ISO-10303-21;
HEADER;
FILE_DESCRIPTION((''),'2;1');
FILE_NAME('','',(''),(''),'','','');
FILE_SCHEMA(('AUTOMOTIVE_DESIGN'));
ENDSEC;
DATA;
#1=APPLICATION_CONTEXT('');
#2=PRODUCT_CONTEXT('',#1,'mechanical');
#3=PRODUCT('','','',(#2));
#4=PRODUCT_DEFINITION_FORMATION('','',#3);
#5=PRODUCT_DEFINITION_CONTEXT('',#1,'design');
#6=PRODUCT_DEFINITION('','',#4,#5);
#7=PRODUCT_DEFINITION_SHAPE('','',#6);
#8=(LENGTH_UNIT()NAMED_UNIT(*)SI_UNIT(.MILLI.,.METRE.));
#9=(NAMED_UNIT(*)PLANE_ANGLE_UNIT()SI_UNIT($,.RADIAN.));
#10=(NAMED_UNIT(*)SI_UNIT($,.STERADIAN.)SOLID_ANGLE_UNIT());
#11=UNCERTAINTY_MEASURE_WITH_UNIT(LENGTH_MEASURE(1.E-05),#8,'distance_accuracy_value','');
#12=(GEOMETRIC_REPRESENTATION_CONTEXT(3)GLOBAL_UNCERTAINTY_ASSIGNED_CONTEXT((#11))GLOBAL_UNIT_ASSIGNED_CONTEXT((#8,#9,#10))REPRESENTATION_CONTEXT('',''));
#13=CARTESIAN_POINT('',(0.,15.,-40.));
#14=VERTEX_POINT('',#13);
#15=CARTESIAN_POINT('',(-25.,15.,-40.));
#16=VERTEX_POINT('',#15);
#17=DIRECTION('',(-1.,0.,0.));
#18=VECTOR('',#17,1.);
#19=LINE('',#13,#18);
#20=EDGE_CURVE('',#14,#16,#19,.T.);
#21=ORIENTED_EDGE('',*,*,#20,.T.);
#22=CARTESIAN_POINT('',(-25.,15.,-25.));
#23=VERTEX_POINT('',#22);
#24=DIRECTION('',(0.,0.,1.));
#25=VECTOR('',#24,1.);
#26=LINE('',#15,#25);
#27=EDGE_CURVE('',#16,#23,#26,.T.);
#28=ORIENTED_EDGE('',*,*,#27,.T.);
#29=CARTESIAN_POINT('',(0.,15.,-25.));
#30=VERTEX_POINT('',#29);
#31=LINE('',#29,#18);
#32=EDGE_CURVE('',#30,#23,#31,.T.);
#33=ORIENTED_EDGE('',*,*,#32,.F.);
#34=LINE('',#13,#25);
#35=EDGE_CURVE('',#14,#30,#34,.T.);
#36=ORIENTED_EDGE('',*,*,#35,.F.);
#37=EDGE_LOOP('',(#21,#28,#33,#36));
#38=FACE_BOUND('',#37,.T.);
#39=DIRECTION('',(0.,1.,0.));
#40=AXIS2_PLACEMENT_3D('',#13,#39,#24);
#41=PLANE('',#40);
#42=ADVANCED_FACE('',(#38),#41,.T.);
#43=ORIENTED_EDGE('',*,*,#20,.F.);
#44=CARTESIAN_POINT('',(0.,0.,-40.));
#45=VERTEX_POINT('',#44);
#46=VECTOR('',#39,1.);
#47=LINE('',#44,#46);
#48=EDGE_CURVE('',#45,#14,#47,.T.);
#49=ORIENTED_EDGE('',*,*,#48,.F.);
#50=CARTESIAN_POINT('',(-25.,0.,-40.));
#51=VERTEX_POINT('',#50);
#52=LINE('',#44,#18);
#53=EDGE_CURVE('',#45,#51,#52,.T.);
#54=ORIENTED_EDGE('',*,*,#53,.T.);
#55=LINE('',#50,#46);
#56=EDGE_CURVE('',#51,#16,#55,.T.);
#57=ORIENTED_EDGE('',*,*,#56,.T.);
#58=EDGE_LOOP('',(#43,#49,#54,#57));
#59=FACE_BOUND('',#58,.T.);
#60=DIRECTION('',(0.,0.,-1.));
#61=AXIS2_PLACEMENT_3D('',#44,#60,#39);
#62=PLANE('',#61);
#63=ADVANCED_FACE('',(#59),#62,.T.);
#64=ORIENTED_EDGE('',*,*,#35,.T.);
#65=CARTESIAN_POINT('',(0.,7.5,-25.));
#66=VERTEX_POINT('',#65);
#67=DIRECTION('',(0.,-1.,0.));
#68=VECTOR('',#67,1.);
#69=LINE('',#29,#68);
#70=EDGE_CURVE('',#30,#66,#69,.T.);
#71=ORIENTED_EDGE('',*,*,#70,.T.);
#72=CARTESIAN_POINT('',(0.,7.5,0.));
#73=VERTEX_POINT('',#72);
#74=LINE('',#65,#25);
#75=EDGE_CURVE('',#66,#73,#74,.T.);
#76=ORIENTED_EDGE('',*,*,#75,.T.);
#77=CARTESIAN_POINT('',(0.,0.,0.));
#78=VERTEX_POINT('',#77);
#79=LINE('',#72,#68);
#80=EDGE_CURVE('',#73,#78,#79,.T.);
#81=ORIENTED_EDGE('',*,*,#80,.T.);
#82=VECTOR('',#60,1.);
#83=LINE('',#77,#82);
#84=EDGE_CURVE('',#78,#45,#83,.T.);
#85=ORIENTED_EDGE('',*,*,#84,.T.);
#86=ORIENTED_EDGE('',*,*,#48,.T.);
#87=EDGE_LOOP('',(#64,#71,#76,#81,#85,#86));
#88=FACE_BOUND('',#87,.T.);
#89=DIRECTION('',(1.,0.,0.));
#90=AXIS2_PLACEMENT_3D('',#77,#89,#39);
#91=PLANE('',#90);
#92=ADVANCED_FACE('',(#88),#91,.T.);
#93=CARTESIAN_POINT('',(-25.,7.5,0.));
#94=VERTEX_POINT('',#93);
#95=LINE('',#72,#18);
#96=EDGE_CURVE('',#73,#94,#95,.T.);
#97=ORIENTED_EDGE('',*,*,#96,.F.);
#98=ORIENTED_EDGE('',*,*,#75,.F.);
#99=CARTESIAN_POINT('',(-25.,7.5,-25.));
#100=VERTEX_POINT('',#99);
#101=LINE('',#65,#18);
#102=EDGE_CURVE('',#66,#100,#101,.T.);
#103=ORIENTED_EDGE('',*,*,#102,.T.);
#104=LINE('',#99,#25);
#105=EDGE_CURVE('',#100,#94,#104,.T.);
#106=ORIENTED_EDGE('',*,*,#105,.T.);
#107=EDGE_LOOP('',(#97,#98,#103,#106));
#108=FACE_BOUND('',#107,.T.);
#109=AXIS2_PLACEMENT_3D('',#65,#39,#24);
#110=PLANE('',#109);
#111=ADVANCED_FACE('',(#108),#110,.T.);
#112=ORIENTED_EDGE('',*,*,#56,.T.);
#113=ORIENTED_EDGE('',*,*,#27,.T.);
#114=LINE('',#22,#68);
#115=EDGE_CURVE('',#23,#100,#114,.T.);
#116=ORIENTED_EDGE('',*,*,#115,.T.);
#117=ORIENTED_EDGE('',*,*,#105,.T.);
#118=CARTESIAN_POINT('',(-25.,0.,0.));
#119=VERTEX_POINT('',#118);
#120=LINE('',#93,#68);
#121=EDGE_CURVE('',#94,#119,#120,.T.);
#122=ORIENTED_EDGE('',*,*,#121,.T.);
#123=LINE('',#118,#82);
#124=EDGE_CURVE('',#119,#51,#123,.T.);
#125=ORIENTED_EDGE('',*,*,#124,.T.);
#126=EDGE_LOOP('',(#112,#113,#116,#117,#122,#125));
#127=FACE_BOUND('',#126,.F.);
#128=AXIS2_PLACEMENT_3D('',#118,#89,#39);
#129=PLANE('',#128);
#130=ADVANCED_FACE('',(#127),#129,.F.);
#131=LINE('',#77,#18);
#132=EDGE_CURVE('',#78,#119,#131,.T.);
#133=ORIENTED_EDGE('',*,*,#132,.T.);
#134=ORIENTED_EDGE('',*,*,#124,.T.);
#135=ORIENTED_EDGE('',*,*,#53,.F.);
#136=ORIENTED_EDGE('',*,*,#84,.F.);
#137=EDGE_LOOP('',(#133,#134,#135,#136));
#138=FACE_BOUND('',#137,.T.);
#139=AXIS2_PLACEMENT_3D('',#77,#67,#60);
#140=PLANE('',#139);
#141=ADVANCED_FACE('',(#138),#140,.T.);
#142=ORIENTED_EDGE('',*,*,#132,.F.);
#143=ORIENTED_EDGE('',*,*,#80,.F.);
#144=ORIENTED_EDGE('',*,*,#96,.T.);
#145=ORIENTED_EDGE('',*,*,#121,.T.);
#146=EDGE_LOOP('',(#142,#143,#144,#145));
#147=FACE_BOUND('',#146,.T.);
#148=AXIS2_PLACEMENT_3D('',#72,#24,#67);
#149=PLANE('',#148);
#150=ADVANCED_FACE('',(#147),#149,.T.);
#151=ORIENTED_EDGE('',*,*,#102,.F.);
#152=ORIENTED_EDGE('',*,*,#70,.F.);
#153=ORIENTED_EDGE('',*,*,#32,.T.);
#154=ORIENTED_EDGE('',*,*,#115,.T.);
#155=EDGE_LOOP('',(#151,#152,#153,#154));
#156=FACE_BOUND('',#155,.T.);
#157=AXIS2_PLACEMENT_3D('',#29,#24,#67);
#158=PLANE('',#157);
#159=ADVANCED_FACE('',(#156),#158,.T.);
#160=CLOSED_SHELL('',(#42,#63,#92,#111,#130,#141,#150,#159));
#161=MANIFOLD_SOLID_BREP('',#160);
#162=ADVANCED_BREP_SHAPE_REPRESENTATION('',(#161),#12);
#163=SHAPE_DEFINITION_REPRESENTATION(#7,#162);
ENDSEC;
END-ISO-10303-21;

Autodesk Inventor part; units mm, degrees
ref_plane "YZ Plane" through (0, 0, 0) normal (1, 0, 0) x (0, 1, 0)
ref_plane "XZ Plane" through (0, 0, 0) normal (0, 1, 0) x (-1, 0, 0)
ref_plane "XY Plane" through (0, 0, 0) normal (0, 0, 1) x (1, 0, 0)
sketch "Sketch1" plane through (0, 0, 0) normal (1, 0, 0) x (0, 1, 0)
  line L0 (0, 0) -> (0, -40)
  line L1 (0, -40) -> (15, -40)
  line L2 (15, -40) -> (15, -25)
  line L3 (15, -25) -> (7.5, -25)
  line L4 (7.5, -25) -> (7.5, 0)
  line L5 (7.5, 0) -> (0, 0)
  dimension "d0" = 15
  dimension "d1" = 7.5
  dimension "d2" = 15
  dimension "d3" = 40
extrude "Extrusion1" add sketch "Sketch1" against normal blind 25
